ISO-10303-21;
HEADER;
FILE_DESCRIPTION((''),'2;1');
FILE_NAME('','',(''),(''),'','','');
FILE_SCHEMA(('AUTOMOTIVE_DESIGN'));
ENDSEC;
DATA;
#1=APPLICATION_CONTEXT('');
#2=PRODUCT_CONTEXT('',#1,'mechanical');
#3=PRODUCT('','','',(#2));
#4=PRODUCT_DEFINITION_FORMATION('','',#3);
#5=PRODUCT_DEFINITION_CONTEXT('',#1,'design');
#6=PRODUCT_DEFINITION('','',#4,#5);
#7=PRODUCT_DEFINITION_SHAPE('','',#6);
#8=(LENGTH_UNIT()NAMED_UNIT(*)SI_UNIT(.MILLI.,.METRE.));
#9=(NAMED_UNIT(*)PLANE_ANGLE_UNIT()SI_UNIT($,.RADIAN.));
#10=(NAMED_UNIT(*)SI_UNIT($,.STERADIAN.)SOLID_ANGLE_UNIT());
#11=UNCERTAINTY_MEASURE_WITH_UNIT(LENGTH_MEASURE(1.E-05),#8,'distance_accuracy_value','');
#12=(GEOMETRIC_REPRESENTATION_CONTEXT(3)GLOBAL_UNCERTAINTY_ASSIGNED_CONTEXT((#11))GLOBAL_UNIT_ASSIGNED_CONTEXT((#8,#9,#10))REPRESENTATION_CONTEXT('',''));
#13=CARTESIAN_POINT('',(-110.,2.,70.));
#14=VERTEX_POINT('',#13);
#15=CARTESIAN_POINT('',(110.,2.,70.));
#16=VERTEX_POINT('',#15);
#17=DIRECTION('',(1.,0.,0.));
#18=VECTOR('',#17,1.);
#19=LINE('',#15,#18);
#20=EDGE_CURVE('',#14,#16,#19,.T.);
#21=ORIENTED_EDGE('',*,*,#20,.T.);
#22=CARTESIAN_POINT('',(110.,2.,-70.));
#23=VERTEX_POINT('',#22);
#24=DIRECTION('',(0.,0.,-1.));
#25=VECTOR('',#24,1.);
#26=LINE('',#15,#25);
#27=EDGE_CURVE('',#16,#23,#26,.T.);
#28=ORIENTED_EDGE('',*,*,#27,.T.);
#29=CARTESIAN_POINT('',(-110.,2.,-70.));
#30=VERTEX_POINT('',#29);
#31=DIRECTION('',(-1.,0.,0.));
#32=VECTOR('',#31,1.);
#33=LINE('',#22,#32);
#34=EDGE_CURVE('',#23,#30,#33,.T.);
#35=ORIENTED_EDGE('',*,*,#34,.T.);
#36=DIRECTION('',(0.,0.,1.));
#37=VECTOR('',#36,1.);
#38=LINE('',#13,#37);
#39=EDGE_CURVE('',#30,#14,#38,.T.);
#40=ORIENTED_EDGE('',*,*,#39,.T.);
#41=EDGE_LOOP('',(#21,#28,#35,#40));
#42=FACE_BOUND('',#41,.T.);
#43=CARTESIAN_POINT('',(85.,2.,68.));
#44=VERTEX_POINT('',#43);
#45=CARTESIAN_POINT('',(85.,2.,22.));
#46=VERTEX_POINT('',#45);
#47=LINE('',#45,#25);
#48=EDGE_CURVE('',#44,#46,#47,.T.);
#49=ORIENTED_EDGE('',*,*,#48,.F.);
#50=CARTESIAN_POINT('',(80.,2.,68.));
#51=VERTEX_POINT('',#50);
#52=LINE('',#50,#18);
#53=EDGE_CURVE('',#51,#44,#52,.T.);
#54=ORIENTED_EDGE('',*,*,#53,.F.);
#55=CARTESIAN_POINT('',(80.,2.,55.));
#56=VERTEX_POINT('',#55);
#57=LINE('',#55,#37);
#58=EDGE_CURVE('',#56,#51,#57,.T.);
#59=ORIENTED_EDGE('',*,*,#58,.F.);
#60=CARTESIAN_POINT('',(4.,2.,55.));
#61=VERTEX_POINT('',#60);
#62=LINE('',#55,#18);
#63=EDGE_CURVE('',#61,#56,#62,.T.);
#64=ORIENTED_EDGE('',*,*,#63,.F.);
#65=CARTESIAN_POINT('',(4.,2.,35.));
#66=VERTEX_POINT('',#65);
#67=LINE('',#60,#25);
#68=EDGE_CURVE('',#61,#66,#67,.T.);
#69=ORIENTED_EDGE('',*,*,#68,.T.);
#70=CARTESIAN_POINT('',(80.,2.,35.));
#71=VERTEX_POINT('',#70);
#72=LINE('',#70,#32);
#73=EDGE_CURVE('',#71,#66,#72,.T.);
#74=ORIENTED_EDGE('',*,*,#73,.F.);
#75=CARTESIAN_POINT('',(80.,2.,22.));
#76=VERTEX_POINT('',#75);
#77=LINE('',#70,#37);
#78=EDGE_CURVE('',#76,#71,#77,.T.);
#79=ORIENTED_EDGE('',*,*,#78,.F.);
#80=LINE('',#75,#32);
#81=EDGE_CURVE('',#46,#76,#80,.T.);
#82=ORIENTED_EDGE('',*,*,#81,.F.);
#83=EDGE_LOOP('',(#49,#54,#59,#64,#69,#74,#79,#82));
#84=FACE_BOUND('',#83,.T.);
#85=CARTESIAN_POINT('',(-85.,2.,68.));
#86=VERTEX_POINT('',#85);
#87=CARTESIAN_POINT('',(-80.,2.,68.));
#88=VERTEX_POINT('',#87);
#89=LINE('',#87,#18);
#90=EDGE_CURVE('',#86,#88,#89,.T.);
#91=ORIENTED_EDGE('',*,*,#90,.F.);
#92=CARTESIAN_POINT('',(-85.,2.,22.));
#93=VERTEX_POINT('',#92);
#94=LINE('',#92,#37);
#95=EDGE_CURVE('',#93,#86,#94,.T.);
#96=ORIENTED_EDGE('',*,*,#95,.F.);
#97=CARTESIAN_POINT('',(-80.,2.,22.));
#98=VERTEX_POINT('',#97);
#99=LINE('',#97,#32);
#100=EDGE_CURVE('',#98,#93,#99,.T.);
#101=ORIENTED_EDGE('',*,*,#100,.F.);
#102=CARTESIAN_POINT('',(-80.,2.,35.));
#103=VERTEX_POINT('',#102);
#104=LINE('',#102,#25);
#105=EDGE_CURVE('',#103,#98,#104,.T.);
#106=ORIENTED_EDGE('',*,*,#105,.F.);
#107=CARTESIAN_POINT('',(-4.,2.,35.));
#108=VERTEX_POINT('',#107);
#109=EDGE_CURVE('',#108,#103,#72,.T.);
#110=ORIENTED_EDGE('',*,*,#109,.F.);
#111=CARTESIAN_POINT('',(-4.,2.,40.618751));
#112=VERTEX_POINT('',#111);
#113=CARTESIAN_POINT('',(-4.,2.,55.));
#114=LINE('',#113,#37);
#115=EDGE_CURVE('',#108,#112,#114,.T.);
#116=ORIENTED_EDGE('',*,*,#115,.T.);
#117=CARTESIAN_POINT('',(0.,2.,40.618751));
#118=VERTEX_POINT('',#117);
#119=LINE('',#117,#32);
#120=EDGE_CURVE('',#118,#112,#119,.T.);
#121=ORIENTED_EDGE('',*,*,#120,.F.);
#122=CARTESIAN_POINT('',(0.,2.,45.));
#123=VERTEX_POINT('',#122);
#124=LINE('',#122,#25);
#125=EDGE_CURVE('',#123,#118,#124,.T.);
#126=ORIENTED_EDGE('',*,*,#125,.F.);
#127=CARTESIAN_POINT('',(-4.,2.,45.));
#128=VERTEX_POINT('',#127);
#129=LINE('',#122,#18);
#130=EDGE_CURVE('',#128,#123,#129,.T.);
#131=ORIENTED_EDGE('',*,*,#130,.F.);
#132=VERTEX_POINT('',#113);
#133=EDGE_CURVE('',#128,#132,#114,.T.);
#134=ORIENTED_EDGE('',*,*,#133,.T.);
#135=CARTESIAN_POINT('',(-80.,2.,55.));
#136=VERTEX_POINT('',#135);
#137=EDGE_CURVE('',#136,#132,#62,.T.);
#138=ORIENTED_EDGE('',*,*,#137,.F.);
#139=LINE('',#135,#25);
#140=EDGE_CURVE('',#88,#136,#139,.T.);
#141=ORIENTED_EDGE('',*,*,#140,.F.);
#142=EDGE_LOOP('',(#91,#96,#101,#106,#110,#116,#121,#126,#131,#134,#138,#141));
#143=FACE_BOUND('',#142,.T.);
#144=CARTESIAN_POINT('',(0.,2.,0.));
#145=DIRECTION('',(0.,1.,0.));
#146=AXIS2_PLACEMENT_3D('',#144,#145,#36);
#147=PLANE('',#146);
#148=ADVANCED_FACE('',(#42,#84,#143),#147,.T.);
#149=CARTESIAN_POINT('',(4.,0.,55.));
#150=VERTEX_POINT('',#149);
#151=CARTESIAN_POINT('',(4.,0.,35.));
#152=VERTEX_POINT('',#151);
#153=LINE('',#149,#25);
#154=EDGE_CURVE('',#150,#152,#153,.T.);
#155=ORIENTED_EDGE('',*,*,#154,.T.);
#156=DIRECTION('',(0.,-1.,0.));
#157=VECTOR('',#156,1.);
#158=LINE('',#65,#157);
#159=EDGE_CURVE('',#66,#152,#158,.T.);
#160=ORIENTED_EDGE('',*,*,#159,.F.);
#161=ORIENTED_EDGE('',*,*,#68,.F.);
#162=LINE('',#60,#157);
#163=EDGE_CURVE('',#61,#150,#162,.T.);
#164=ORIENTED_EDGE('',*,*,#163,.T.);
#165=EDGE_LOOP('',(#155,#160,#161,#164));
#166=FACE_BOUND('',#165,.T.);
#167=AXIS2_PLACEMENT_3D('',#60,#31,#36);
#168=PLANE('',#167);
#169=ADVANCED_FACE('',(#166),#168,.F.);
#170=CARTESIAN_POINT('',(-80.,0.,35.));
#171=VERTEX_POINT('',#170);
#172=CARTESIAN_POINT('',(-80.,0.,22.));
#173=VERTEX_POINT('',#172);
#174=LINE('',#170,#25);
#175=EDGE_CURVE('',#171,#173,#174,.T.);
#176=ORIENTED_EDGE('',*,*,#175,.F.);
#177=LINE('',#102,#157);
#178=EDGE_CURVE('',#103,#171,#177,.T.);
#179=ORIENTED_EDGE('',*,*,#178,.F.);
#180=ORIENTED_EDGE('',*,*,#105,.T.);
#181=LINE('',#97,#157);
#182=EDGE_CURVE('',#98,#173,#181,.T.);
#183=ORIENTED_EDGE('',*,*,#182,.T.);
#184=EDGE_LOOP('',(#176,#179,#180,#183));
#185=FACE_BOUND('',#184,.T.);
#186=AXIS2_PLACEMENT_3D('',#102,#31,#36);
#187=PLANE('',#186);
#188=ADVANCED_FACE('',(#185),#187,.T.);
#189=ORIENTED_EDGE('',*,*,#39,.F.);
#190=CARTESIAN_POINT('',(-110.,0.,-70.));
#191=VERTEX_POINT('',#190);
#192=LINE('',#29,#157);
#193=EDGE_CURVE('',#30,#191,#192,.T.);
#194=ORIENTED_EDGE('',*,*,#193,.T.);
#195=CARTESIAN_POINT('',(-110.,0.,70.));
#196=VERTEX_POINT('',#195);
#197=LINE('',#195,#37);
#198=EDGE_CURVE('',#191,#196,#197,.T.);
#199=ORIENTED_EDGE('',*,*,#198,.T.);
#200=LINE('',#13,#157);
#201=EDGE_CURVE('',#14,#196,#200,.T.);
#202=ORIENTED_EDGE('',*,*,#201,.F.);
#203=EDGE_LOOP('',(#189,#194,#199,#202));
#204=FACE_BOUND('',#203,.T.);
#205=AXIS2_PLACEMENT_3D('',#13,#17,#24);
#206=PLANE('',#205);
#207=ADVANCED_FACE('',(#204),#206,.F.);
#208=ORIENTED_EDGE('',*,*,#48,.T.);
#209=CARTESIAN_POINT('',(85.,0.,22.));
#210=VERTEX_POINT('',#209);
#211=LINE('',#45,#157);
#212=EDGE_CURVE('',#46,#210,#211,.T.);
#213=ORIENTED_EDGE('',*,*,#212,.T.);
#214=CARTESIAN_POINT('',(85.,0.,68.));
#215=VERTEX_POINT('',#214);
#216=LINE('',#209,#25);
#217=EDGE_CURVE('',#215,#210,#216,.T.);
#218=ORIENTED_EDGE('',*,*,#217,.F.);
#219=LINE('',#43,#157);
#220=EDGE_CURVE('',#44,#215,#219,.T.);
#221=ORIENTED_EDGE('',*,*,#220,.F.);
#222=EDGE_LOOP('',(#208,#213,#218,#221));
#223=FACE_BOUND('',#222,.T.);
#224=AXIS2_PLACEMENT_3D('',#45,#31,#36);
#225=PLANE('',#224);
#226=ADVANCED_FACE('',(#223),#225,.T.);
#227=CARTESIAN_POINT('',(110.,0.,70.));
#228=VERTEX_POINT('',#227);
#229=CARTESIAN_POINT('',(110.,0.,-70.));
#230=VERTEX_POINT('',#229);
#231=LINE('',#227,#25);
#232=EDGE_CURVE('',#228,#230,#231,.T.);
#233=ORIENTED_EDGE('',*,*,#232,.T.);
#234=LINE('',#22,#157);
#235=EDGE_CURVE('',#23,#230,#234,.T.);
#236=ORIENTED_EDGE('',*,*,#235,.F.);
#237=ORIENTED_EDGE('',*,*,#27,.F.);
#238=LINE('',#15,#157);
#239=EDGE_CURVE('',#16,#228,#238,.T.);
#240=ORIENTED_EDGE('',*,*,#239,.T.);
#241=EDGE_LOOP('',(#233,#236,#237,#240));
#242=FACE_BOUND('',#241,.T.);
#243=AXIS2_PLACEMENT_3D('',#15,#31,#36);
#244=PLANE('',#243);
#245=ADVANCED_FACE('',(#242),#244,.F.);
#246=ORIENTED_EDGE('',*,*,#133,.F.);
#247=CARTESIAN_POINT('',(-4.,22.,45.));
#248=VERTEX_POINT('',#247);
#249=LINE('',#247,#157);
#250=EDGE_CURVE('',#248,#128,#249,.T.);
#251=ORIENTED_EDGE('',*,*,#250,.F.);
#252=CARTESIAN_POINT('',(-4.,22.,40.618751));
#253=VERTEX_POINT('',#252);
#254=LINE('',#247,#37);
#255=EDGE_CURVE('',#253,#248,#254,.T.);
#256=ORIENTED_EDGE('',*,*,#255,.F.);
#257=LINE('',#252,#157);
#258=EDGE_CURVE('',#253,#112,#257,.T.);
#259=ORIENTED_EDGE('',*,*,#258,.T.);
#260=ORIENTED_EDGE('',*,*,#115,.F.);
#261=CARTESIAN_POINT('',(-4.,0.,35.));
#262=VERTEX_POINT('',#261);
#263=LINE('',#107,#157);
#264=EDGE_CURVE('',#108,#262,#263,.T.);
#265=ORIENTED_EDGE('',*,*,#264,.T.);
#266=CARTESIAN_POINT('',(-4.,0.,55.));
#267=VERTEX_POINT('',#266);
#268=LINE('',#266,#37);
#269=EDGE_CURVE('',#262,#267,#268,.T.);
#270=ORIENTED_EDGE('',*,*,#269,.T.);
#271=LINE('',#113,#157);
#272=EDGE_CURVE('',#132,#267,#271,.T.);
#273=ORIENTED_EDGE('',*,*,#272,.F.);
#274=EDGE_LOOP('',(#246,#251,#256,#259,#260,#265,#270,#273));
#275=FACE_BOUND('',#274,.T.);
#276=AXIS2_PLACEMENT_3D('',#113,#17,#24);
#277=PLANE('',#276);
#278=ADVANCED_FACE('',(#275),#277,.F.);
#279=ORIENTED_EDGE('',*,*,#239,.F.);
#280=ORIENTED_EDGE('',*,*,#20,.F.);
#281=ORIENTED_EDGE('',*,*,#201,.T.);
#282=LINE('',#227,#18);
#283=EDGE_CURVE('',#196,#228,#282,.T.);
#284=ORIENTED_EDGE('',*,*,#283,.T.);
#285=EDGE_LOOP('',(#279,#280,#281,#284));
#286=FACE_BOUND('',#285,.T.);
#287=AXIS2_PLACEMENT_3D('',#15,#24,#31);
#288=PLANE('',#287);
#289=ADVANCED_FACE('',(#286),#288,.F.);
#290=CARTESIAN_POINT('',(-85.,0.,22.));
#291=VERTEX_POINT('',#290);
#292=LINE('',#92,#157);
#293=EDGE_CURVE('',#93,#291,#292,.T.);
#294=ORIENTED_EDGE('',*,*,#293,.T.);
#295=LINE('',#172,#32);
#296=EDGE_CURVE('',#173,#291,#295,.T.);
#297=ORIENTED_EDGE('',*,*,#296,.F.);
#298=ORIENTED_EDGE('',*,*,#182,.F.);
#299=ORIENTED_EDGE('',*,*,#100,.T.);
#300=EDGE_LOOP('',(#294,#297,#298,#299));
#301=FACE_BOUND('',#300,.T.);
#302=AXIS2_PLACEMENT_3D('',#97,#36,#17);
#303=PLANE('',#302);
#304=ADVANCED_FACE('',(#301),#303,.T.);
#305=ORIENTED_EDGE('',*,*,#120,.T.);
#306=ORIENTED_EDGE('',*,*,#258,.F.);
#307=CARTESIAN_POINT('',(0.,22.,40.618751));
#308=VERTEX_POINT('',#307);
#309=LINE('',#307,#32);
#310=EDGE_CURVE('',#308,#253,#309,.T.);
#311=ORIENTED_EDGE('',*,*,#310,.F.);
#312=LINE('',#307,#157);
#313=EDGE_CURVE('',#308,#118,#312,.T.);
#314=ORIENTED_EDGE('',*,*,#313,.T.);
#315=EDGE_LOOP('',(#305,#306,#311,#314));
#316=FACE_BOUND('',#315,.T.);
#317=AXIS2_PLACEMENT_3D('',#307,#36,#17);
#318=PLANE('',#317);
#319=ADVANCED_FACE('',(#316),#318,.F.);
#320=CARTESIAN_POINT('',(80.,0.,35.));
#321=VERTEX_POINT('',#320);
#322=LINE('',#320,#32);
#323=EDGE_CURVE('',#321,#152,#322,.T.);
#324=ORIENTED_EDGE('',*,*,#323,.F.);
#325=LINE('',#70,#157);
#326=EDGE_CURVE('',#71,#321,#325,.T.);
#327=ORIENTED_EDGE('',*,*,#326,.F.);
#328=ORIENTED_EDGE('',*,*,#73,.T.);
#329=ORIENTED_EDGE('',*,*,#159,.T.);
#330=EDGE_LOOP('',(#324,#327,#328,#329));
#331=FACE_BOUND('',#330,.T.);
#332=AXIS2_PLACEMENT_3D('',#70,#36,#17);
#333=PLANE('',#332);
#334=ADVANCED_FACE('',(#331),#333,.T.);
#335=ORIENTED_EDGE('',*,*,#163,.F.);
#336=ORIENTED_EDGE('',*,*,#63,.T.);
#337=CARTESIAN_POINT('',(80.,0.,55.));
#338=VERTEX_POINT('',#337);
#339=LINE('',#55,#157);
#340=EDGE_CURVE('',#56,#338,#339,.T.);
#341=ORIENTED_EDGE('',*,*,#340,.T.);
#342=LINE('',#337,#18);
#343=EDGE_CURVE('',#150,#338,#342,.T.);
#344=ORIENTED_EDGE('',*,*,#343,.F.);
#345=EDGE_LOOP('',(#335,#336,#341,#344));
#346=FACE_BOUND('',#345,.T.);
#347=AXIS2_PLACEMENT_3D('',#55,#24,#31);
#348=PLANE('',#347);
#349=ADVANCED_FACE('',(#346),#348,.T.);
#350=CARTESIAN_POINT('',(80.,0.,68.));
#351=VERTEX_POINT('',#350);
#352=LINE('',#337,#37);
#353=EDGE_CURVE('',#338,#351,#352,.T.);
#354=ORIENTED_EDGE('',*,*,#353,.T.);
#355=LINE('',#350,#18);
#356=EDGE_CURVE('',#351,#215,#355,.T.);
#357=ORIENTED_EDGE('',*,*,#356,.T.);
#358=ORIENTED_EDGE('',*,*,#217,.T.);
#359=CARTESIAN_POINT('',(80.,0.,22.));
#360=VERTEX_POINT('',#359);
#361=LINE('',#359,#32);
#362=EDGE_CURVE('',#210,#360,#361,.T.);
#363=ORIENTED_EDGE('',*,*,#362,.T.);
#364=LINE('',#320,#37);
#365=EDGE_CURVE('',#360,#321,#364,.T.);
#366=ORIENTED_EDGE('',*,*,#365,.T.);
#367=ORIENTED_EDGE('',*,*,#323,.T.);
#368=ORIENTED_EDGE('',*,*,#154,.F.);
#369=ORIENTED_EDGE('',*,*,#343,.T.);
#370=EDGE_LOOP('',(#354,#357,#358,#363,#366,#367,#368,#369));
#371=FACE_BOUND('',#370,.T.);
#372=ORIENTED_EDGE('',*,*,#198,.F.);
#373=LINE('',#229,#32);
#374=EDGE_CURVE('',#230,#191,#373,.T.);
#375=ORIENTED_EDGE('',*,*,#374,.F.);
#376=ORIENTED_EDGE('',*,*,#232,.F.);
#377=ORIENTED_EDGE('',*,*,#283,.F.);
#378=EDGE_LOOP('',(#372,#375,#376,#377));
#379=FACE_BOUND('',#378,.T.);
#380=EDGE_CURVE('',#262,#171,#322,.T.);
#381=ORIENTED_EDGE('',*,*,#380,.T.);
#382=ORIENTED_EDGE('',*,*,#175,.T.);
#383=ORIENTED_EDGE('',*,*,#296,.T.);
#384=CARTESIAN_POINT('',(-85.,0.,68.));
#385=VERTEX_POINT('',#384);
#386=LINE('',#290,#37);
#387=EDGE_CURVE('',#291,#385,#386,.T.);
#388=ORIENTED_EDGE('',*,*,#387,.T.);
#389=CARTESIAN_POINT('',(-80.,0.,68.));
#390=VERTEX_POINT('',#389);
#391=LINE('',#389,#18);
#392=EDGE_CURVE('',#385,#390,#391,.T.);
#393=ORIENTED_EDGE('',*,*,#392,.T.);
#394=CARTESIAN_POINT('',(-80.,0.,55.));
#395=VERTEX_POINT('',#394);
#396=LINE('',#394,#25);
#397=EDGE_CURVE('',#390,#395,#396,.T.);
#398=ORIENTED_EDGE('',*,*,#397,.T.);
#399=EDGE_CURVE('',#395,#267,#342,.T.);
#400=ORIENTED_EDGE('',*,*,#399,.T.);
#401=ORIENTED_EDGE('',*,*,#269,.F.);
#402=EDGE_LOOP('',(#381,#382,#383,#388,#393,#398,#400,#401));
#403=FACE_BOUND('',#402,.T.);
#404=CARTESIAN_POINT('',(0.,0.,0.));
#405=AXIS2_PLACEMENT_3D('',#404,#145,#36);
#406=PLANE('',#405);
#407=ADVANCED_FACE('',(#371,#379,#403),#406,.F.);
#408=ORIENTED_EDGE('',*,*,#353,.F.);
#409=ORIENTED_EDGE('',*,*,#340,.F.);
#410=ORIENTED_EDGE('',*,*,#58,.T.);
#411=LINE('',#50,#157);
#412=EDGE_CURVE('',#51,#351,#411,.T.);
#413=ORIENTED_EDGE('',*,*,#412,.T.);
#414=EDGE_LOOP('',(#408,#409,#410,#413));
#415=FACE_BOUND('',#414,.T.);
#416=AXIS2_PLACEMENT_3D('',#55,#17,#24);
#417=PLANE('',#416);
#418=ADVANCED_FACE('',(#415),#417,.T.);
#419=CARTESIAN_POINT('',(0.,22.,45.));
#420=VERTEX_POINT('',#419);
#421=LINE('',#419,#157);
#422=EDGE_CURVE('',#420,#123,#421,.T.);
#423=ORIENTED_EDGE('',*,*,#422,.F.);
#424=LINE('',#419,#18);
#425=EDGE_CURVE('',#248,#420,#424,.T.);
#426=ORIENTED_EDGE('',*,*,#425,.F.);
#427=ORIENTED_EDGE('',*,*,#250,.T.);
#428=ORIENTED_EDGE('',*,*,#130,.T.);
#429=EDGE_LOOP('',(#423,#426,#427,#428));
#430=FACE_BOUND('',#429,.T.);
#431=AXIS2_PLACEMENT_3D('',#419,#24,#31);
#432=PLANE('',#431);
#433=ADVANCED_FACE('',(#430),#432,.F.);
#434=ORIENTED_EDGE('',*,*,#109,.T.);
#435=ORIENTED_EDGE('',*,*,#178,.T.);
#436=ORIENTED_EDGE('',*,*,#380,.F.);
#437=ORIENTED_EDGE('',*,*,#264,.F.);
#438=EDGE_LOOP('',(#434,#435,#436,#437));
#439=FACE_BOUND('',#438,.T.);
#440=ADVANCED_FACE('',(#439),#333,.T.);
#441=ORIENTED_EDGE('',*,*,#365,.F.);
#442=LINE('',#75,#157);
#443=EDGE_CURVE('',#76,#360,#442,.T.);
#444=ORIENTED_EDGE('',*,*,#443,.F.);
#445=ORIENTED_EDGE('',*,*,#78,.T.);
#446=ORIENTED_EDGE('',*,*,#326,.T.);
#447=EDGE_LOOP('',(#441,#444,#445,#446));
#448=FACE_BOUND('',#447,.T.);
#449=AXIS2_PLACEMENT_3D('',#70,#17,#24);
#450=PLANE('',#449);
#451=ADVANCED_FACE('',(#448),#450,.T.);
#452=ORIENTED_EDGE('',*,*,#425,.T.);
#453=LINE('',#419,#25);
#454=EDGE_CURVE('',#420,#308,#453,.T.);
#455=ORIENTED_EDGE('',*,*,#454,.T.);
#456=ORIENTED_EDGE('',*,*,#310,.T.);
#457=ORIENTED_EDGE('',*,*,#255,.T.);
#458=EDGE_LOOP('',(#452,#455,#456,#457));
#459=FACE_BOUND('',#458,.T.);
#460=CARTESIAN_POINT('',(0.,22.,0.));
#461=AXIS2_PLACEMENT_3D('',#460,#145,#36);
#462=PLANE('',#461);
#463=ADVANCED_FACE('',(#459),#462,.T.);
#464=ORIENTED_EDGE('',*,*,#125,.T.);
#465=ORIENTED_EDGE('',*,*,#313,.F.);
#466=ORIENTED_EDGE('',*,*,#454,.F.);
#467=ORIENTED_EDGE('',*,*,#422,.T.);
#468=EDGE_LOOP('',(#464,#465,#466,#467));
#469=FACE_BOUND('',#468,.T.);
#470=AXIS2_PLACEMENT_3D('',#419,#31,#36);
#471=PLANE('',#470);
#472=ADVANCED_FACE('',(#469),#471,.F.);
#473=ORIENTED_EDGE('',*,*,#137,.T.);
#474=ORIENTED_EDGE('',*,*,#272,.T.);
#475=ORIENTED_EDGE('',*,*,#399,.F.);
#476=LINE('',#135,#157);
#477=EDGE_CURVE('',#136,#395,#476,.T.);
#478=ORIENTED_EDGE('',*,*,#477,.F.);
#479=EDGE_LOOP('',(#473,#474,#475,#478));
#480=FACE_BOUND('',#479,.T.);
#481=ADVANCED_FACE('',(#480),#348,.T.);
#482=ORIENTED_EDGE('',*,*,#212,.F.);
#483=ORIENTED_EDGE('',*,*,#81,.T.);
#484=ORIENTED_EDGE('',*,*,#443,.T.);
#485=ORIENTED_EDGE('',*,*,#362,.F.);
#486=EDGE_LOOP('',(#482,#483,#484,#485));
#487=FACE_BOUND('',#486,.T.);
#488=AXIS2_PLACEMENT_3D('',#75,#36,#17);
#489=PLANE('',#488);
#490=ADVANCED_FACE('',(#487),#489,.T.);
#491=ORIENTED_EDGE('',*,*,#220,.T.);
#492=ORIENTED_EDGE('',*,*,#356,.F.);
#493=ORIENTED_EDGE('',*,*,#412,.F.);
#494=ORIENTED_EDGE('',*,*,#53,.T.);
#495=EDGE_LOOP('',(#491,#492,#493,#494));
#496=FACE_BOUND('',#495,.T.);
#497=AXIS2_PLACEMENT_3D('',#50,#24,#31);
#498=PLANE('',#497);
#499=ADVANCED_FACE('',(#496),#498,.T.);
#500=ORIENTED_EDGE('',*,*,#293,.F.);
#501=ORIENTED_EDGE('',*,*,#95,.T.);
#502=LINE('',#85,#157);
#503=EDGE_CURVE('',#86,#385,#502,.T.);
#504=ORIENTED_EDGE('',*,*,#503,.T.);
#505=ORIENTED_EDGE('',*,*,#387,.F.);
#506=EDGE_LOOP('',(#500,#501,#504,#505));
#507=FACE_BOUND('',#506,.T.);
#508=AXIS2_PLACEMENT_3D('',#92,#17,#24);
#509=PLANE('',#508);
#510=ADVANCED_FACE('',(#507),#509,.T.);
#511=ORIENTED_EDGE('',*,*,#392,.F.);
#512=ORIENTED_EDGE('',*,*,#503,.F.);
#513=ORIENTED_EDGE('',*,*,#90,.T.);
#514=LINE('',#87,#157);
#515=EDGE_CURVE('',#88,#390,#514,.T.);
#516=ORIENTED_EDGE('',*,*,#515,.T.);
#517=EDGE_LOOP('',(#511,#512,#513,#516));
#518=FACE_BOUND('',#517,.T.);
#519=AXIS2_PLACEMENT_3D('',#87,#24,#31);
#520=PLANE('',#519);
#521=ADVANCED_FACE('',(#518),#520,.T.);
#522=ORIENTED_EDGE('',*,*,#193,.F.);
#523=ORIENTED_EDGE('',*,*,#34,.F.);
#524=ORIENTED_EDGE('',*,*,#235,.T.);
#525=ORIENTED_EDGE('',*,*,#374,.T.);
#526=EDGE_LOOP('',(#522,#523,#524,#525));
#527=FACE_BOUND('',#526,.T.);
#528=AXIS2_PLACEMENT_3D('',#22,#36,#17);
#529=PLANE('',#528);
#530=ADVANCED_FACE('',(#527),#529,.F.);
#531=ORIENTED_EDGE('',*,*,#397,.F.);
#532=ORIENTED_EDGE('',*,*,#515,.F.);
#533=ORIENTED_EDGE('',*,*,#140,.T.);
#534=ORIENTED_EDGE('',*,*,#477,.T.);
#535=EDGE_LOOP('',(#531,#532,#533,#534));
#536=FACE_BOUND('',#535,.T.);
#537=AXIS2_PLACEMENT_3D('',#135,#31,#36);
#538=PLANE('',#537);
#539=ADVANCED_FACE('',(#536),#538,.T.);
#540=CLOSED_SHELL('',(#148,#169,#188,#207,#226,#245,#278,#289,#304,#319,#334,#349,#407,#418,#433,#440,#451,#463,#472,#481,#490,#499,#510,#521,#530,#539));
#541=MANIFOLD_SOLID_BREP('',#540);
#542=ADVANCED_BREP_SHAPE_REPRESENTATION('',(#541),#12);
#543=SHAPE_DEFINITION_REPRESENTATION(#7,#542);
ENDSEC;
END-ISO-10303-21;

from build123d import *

# Parameters (mm, degrees)
SKETCH2_W           = 220
SKETCH2_H           = 140
BOSS_EXTRUDE1_DEPTH = 2
CUT_EXTRUDE1_DEPTH  = 2
SKETCH4_W           = 8
SKETCH4_H           = 20
BOSS_EXTRUDE2_DEPTH = 2
SKETCH5_W           = 4
SKETCH5_H           = 4.381248614
BOSS_EXTRUDE3_DEPTH = 20


with BuildPart() as part:
    # Sketch2 → Boss-Extrude1 (new body)
    with BuildSketch(Plane(origin=(0, 0, 0), x_dir=(1, 0, 0), z_dir=(0, 1, 0))):
        Rectangle(SKETCH2_W, SKETCH2_H)
    extrude(amount=BOSS_EXTRUDE1_DEPTH)

    # Sketch3 → Cut-Extrude1 (cut)
    with BuildSketch(Plane(origin=(0, 0, 0), x_dir=(1, 0, 0), z_dir=(0, 1, 0))):
        Polygon((-80, -35), (-80, -22), (-85, -22), (-85, -68), (-80, -68), (-80, -55), (80, -55), (80, -68), (85, -68), (85, -22), (80, -22), (80, -35), align=None)
    extrude(amount=CUT_EXTRUDE1_DEPTH, mode=Mode.SUBTRACT)

    # Sketch4 → Boss-Extrude2 (add)
    with BuildSketch(Plane(origin=(0, 0, 0), x_dir=(1, 0, 0), z_dir=(0, 1, 0))):
        with Locations((0, -45)):
            Rectangle(SKETCH4_W, SKETCH4_H)
    extrude(amount=BOSS_EXTRUDE2_DEPTH)

    # Sketch5 → Boss-Extrude3 (add)
    with BuildSketch(Plane(origin=(0, 2, 0), x_dir=(1, 0, 0), z_dir=(0, 1, 0))):
        with Locations((-2, -42.809375693)):
            Rectangle(SKETCH5_W, SKETCH5_H)
    extrude(amount=BOSS_EXTRUDE3_DEPTH)


solid = part.part
